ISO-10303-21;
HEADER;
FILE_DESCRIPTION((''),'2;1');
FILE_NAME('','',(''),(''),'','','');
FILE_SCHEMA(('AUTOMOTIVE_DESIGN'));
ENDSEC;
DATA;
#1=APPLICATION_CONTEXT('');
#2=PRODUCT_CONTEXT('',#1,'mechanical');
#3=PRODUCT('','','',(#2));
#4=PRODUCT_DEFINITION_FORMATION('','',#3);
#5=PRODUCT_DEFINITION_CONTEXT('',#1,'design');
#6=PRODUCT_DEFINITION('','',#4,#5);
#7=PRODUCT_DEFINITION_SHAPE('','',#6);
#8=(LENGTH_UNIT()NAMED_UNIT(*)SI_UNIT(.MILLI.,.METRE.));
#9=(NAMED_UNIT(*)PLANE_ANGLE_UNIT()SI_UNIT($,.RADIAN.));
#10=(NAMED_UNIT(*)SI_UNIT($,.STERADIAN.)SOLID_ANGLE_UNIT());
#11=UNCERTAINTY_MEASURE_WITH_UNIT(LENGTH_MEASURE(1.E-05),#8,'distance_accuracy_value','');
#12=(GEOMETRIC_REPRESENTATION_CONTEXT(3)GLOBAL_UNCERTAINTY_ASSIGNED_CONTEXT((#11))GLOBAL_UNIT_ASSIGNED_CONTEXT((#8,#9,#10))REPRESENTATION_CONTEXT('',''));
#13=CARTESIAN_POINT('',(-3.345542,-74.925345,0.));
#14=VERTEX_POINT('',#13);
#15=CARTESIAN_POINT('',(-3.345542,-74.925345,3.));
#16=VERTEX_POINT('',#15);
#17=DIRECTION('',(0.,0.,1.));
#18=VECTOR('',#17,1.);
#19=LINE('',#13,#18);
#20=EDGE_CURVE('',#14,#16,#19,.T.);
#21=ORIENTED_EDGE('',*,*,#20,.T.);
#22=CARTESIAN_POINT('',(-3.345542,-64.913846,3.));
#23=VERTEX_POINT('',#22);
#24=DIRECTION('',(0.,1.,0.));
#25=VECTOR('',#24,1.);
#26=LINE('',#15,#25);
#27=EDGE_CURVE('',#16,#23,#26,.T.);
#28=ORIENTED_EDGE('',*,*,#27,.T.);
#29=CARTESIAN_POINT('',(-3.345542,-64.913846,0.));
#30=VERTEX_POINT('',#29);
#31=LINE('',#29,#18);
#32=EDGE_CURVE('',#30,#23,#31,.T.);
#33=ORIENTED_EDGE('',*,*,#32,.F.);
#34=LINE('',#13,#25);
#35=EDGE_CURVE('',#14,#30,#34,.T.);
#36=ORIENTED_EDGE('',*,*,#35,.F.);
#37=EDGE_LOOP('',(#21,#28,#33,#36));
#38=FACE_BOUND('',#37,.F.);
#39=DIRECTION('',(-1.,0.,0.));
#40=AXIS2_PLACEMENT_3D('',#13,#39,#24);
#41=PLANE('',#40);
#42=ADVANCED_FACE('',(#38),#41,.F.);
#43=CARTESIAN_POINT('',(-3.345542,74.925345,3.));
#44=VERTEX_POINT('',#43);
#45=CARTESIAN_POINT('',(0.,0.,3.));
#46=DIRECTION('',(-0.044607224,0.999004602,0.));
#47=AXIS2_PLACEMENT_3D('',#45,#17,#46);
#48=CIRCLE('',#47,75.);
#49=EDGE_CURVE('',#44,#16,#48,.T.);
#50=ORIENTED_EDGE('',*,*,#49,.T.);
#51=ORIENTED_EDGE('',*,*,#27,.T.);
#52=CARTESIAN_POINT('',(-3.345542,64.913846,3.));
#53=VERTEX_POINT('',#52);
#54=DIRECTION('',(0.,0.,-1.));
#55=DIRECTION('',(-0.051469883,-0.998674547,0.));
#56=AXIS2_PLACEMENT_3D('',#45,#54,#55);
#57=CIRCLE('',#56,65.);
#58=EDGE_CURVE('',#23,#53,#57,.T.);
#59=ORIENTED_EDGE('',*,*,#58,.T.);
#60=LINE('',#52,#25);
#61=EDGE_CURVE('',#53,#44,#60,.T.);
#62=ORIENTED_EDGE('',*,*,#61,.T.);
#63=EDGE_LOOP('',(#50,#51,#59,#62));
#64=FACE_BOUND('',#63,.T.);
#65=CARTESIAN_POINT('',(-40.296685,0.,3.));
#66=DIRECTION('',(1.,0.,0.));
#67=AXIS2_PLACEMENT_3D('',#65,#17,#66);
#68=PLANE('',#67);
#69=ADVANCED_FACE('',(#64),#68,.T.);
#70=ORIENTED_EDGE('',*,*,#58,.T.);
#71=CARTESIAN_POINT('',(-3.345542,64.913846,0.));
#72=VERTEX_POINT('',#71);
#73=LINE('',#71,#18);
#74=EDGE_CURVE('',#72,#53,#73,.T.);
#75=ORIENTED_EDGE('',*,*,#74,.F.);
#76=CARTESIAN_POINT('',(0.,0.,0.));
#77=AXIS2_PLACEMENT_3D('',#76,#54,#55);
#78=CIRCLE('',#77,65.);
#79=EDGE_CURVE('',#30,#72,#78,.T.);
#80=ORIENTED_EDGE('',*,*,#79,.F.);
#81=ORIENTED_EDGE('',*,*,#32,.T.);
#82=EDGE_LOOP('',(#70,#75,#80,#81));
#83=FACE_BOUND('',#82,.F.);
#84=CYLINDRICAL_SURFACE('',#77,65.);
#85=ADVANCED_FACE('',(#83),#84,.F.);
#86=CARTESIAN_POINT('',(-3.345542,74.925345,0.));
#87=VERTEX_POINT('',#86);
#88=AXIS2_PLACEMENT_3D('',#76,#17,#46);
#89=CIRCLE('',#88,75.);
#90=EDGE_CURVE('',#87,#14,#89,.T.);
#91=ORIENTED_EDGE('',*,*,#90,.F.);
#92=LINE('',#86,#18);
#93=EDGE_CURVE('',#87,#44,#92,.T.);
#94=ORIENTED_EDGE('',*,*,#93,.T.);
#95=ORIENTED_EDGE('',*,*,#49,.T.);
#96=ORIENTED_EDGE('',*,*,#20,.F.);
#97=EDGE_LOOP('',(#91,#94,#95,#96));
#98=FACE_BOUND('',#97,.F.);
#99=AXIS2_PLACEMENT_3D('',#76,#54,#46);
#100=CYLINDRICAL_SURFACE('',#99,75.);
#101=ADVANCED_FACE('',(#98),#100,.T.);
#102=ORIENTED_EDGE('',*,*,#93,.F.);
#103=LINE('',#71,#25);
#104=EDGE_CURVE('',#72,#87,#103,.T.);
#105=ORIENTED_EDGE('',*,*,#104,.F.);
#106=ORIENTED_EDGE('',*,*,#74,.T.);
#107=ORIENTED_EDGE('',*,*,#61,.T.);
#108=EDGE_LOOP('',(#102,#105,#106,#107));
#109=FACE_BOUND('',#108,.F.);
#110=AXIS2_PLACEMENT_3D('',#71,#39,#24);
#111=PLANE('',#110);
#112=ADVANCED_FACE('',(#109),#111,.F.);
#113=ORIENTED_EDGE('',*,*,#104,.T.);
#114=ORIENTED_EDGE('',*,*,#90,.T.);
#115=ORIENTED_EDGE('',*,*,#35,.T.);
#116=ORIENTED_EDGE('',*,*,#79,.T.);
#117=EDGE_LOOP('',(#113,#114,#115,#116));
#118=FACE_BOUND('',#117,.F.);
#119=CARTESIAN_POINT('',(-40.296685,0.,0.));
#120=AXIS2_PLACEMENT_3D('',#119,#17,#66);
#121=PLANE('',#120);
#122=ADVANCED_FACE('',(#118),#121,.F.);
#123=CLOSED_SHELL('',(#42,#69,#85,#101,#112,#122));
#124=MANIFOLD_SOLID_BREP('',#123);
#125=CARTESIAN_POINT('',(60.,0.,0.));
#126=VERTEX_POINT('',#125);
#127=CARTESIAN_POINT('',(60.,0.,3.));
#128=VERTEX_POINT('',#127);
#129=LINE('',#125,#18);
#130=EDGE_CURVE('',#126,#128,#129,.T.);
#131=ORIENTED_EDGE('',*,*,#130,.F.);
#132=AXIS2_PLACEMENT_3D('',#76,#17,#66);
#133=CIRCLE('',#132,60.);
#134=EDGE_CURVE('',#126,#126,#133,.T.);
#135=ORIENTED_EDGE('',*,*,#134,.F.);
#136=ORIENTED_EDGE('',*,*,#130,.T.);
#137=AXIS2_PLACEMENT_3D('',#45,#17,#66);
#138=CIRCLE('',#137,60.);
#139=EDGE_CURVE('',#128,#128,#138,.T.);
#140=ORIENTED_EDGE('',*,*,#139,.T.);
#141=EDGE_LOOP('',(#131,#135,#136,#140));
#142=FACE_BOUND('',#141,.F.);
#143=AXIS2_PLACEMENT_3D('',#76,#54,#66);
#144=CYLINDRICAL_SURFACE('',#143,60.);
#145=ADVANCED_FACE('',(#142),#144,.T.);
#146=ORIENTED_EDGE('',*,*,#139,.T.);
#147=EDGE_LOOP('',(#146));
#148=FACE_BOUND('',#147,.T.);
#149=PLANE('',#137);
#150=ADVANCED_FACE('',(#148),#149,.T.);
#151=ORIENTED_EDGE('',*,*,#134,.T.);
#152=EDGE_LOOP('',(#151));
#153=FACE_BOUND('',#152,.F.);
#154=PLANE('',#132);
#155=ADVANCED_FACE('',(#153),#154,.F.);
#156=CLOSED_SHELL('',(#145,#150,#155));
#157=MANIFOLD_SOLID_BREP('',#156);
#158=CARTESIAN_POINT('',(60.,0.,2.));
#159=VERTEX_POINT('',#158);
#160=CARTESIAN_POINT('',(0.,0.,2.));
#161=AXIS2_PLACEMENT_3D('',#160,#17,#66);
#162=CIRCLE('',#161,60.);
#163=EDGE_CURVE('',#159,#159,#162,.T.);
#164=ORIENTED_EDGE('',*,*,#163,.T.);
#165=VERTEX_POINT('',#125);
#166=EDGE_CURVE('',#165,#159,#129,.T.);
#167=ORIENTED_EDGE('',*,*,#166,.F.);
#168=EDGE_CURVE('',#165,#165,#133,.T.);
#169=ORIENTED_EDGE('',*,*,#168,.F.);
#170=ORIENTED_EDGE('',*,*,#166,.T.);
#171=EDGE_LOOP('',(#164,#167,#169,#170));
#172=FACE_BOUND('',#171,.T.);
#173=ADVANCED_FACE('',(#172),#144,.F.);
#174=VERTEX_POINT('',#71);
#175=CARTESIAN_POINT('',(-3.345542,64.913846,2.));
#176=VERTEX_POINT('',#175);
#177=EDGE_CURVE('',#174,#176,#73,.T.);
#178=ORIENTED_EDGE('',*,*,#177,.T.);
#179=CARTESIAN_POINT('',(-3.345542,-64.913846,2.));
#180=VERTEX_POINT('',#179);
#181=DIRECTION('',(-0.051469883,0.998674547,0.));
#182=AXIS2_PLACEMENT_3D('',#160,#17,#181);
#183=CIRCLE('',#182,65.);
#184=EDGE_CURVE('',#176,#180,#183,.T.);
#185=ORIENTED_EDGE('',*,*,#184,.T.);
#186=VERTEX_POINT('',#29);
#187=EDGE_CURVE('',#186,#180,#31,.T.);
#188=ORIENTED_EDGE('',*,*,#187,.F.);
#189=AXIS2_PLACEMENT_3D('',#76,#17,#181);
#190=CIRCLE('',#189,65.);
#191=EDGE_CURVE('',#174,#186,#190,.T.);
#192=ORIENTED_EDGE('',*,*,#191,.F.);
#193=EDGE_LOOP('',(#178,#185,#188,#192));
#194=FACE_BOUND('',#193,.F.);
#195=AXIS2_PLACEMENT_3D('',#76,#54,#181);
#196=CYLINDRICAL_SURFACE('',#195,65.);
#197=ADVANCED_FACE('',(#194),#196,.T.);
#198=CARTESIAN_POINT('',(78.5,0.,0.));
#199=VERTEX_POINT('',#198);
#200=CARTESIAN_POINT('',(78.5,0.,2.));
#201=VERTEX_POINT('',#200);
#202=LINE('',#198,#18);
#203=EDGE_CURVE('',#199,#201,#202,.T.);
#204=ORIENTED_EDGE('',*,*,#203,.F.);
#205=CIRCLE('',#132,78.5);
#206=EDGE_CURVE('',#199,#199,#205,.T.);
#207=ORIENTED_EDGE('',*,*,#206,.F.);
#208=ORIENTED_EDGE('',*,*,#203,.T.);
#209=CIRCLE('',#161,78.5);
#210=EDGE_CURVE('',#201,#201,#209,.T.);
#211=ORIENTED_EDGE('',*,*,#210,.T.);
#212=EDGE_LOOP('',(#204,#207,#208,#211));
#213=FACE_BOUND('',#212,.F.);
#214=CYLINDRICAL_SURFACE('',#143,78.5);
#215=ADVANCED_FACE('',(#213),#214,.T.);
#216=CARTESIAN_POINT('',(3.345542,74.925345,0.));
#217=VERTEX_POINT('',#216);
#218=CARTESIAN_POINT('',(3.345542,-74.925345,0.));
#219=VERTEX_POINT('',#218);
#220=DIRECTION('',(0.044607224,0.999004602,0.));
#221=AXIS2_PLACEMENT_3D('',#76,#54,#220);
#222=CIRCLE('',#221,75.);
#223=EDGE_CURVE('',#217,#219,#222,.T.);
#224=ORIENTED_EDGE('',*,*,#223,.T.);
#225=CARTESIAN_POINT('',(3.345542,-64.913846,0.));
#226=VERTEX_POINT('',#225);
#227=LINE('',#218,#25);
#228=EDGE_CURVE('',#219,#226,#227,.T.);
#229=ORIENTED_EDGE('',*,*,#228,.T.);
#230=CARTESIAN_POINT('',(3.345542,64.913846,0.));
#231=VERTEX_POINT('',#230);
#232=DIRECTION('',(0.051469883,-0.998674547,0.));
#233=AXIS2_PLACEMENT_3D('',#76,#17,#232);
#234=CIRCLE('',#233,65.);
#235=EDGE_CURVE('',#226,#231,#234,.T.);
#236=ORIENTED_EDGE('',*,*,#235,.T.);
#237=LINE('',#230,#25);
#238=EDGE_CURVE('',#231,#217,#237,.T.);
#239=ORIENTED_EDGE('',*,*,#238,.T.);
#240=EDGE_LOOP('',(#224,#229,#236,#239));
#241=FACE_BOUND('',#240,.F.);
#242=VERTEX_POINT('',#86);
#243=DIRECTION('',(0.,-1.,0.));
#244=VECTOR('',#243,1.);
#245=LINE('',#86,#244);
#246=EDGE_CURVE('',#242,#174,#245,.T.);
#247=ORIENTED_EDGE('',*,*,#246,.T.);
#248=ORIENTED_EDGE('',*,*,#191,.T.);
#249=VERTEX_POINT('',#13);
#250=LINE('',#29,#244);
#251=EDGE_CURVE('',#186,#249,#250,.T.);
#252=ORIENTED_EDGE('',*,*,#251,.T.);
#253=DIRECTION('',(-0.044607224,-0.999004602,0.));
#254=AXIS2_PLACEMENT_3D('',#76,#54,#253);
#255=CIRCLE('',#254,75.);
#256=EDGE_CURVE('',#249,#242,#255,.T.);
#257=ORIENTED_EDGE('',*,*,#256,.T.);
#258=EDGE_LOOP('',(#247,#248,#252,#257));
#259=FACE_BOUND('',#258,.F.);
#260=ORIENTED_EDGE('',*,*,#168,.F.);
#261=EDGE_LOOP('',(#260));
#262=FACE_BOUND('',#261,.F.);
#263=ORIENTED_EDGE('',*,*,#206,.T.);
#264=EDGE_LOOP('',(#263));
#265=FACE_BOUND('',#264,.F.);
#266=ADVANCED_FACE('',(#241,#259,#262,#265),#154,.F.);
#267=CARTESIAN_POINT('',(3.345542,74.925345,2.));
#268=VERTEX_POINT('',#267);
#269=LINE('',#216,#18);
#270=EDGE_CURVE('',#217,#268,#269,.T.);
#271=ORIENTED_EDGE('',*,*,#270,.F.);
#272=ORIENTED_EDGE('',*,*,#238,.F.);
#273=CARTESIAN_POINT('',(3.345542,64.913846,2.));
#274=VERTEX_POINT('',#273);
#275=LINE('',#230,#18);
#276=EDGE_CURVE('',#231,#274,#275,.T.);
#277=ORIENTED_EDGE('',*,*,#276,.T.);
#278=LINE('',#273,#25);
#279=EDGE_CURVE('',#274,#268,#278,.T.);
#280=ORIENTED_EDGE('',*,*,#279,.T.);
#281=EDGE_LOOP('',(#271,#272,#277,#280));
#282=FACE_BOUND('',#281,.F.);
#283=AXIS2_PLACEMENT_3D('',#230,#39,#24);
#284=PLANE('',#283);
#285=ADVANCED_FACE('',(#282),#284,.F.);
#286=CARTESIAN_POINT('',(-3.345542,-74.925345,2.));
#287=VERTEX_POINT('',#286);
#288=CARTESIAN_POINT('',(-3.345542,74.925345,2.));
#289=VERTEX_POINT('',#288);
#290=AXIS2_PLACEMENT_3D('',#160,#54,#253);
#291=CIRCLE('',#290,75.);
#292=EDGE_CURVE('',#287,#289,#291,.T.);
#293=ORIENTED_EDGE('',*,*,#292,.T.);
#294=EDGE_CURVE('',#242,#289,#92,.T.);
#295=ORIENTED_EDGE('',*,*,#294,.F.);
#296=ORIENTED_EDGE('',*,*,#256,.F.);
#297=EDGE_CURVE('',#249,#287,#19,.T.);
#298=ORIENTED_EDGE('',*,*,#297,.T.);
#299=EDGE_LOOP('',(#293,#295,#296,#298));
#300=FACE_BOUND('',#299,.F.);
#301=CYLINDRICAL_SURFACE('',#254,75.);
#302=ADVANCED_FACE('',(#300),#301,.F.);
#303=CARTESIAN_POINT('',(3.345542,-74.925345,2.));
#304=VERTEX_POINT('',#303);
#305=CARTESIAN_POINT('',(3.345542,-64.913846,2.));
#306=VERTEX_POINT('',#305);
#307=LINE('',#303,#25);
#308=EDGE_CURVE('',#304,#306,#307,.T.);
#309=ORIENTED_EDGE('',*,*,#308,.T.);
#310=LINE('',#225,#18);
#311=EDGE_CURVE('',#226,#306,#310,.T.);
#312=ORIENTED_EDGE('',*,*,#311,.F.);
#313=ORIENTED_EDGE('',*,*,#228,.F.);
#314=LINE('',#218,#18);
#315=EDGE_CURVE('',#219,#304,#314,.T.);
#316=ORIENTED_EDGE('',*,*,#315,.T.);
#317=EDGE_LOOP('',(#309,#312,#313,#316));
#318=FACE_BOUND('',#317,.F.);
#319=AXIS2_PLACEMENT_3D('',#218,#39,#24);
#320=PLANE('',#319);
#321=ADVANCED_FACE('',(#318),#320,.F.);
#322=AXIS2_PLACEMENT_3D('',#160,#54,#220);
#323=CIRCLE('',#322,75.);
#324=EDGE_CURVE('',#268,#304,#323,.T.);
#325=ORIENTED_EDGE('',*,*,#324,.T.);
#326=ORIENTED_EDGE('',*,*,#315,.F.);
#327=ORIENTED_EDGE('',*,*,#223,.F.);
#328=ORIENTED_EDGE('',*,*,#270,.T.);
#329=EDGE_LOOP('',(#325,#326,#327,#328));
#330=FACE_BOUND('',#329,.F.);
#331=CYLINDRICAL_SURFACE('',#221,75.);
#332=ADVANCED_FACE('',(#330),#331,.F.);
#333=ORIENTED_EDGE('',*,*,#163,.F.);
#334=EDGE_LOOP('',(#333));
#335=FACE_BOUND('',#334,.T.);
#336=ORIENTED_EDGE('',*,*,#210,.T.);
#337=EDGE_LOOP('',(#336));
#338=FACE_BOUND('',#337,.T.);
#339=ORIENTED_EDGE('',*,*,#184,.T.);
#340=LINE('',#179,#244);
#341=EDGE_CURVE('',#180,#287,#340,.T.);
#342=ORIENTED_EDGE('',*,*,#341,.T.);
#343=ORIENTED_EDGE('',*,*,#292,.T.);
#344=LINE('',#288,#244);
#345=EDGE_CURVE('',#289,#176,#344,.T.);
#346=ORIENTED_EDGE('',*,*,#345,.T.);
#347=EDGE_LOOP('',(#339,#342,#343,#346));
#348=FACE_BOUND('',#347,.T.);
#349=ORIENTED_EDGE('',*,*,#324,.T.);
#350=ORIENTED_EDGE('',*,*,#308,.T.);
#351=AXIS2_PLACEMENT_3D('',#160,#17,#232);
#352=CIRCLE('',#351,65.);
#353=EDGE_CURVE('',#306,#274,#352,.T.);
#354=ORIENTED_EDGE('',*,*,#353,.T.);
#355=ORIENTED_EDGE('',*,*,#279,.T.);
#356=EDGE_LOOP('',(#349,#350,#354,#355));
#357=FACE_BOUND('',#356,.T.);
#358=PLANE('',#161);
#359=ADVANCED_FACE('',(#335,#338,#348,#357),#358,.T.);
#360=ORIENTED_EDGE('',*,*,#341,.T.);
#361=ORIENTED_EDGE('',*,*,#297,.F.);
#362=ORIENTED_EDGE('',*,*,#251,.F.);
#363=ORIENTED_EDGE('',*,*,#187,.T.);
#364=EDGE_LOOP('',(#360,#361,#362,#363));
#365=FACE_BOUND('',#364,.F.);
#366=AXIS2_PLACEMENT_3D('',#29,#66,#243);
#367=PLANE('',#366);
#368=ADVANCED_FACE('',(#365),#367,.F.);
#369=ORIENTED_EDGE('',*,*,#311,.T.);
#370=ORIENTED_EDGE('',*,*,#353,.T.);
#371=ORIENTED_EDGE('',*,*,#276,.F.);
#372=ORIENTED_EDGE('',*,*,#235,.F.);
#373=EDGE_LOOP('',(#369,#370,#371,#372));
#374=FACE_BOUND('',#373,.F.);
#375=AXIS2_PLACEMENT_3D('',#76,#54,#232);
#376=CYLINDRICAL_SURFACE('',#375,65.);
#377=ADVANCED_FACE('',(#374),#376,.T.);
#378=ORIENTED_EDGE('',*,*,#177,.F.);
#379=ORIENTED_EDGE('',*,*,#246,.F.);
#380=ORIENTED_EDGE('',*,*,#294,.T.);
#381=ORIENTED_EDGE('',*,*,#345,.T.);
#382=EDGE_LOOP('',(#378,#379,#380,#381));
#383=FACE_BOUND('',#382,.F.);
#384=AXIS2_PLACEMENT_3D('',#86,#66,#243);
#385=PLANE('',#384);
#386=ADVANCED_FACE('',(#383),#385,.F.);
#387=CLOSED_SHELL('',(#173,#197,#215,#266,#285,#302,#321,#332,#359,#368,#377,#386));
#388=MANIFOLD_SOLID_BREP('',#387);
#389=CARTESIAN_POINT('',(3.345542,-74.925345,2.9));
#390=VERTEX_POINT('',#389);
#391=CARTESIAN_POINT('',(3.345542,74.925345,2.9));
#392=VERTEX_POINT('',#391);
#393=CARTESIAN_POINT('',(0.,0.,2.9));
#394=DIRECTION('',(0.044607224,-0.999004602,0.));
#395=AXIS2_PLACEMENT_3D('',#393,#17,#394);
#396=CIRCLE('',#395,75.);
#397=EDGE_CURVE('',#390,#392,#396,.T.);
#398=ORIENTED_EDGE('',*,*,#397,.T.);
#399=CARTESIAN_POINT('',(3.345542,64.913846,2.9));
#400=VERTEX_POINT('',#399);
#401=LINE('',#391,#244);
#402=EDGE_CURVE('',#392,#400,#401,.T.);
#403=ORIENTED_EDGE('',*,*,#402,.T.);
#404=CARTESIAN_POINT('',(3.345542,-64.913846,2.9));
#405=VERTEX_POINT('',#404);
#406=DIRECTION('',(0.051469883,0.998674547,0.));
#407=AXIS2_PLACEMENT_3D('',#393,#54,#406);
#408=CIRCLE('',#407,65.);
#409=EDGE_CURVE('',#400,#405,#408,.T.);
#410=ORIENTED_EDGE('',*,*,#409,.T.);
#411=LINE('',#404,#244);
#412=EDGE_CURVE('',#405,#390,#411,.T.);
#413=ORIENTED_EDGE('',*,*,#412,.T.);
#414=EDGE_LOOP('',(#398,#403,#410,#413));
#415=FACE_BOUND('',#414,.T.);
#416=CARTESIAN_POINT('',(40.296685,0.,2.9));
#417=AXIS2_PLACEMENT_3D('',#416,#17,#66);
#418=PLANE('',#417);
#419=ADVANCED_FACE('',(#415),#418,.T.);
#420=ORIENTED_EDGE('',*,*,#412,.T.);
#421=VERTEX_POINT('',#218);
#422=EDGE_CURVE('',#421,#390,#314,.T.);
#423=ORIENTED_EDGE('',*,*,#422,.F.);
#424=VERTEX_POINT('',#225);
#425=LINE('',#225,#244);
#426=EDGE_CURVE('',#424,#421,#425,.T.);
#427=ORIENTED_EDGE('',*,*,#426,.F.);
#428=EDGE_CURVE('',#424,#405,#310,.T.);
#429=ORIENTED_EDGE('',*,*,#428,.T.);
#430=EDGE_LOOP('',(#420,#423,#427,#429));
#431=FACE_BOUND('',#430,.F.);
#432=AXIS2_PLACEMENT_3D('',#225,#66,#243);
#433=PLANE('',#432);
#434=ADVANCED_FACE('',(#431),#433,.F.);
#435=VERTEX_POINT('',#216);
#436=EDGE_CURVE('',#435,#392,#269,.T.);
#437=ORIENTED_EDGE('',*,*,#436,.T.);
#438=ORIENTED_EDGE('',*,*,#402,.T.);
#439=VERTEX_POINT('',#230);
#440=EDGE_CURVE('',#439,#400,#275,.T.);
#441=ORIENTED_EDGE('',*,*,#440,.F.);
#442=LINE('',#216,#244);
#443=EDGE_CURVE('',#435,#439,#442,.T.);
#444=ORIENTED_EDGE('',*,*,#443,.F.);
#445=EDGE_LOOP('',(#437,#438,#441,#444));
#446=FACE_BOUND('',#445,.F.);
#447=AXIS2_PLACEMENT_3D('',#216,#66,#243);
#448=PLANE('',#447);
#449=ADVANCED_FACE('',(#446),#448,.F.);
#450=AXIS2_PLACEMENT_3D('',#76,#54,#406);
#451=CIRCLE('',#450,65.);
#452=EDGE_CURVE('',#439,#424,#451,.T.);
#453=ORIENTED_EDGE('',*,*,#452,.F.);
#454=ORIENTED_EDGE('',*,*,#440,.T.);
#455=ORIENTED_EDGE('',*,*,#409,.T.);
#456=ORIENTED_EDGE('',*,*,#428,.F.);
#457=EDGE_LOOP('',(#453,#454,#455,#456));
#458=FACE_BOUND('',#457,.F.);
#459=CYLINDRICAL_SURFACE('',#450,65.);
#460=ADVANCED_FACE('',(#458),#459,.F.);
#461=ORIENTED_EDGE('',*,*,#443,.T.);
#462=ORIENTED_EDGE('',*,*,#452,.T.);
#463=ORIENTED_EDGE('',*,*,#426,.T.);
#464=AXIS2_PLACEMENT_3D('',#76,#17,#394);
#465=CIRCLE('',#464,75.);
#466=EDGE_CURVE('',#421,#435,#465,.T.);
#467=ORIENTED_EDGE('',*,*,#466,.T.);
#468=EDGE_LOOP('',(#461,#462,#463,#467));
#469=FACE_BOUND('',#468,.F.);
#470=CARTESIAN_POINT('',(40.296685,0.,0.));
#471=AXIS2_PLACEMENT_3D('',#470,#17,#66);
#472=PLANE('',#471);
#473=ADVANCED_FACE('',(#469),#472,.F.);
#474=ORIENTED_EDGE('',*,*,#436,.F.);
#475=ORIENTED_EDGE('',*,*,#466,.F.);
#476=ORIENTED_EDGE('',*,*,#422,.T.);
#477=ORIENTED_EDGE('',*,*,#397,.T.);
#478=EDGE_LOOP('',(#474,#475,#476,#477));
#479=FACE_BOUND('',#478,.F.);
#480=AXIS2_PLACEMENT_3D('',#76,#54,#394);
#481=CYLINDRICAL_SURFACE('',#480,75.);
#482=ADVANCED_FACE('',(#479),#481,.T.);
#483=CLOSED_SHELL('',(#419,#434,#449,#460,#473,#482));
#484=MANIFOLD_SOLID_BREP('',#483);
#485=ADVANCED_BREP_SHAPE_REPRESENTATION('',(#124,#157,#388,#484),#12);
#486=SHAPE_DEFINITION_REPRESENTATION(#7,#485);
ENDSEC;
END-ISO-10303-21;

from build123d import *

# Parameters (mm, degrees)
F1_DEPTH = 3
F2_DEPTH = 2.9
F0_R     = 60
F3_DEPTH = 3
F0_R_2   = 78.5
F4_DEPTH = 2


with BuildPart() as f1:
    # F0 (on Top) → F1 (new body)
    with BuildSketch(Plane.XY):
        with BuildLine():
            Line((-3.345542, 64.913846), (-3.345542, 74.925345))
            ThreePointArc((-3.345542, 74.925345), (-75, 0), (-3.345542, -74.925345))
            Line((-3.345542, -74.925345), (-3.345542, -64.913846))
            ThreePointArc((-3.345542, -64.913846), (-65, 0), (-3.345542, 64.913846))
        make_face()
    extrude(amount=F1_DEPTH)


with BuildPart() as f2:
    # F0 (on Top) → F2 (new body)
    with BuildSketch(Plane.XY):
        with BuildLine():
            Line((3.345542, -64.913846), (3.345542, -74.925345))
            ThreePointArc((3.345542, -74.925345), (75, 0), (3.345542, 74.925345))
            Line((3.345542, 74.925345), (3.345542, 64.913846))
            ThreePointArc((3.345542, 64.913846), (65, 0), (3.345542, -64.913846))
        make_face()
    extrude(amount=F2_DEPTH)


with BuildPart() as f3:
    # F0 (on Top) → F3 (new body)
    with BuildSketch(Plane.XY):
        Circle(F0_R)
    extrude(amount=F3_DEPTH)


with BuildPart() as f4:
    # F0 (on Top) → F4 (new body)
    with BuildSketch(Plane.XY):
        Circle(F0_R_2)
        with BuildLine():
            ThreePointArc((-3.345542, -74.925345), (-75, 0), (-3.345542, 74.925345))
            Line((-3.345542, 74.925345), (-3.345542, 64.913846))
            ThreePointArc((-3.345542, 64.913846), (-65, 0), (-3.345542, -64.913846))
            Line((-3.345542, -64.913846), (-3.345542, -74.925345))
        make_face(mode=Mode.SUBTRACT)
        Circle(F0_R, mode=Mode.SUBTRACT)
        with BuildLine():
            ThreePointArc((3.345542, 74.925345), (75, 0), (3.345542, -74.925345))
            Line((3.345542, -74.925345), (3.345542, -64.913846))
            ThreePointArc((3.345542, -64.913846), (65, 0), (3.345542, 64.913846))
            Line((3.345542, 64.913846), (3.345542, 74.925345))
        make_face(mode=Mode.SUBTRACT)
    extrude(amount=F4_DEPTH)


solid = Compound([f1.part, f2.part, f3.part, f4.part])
